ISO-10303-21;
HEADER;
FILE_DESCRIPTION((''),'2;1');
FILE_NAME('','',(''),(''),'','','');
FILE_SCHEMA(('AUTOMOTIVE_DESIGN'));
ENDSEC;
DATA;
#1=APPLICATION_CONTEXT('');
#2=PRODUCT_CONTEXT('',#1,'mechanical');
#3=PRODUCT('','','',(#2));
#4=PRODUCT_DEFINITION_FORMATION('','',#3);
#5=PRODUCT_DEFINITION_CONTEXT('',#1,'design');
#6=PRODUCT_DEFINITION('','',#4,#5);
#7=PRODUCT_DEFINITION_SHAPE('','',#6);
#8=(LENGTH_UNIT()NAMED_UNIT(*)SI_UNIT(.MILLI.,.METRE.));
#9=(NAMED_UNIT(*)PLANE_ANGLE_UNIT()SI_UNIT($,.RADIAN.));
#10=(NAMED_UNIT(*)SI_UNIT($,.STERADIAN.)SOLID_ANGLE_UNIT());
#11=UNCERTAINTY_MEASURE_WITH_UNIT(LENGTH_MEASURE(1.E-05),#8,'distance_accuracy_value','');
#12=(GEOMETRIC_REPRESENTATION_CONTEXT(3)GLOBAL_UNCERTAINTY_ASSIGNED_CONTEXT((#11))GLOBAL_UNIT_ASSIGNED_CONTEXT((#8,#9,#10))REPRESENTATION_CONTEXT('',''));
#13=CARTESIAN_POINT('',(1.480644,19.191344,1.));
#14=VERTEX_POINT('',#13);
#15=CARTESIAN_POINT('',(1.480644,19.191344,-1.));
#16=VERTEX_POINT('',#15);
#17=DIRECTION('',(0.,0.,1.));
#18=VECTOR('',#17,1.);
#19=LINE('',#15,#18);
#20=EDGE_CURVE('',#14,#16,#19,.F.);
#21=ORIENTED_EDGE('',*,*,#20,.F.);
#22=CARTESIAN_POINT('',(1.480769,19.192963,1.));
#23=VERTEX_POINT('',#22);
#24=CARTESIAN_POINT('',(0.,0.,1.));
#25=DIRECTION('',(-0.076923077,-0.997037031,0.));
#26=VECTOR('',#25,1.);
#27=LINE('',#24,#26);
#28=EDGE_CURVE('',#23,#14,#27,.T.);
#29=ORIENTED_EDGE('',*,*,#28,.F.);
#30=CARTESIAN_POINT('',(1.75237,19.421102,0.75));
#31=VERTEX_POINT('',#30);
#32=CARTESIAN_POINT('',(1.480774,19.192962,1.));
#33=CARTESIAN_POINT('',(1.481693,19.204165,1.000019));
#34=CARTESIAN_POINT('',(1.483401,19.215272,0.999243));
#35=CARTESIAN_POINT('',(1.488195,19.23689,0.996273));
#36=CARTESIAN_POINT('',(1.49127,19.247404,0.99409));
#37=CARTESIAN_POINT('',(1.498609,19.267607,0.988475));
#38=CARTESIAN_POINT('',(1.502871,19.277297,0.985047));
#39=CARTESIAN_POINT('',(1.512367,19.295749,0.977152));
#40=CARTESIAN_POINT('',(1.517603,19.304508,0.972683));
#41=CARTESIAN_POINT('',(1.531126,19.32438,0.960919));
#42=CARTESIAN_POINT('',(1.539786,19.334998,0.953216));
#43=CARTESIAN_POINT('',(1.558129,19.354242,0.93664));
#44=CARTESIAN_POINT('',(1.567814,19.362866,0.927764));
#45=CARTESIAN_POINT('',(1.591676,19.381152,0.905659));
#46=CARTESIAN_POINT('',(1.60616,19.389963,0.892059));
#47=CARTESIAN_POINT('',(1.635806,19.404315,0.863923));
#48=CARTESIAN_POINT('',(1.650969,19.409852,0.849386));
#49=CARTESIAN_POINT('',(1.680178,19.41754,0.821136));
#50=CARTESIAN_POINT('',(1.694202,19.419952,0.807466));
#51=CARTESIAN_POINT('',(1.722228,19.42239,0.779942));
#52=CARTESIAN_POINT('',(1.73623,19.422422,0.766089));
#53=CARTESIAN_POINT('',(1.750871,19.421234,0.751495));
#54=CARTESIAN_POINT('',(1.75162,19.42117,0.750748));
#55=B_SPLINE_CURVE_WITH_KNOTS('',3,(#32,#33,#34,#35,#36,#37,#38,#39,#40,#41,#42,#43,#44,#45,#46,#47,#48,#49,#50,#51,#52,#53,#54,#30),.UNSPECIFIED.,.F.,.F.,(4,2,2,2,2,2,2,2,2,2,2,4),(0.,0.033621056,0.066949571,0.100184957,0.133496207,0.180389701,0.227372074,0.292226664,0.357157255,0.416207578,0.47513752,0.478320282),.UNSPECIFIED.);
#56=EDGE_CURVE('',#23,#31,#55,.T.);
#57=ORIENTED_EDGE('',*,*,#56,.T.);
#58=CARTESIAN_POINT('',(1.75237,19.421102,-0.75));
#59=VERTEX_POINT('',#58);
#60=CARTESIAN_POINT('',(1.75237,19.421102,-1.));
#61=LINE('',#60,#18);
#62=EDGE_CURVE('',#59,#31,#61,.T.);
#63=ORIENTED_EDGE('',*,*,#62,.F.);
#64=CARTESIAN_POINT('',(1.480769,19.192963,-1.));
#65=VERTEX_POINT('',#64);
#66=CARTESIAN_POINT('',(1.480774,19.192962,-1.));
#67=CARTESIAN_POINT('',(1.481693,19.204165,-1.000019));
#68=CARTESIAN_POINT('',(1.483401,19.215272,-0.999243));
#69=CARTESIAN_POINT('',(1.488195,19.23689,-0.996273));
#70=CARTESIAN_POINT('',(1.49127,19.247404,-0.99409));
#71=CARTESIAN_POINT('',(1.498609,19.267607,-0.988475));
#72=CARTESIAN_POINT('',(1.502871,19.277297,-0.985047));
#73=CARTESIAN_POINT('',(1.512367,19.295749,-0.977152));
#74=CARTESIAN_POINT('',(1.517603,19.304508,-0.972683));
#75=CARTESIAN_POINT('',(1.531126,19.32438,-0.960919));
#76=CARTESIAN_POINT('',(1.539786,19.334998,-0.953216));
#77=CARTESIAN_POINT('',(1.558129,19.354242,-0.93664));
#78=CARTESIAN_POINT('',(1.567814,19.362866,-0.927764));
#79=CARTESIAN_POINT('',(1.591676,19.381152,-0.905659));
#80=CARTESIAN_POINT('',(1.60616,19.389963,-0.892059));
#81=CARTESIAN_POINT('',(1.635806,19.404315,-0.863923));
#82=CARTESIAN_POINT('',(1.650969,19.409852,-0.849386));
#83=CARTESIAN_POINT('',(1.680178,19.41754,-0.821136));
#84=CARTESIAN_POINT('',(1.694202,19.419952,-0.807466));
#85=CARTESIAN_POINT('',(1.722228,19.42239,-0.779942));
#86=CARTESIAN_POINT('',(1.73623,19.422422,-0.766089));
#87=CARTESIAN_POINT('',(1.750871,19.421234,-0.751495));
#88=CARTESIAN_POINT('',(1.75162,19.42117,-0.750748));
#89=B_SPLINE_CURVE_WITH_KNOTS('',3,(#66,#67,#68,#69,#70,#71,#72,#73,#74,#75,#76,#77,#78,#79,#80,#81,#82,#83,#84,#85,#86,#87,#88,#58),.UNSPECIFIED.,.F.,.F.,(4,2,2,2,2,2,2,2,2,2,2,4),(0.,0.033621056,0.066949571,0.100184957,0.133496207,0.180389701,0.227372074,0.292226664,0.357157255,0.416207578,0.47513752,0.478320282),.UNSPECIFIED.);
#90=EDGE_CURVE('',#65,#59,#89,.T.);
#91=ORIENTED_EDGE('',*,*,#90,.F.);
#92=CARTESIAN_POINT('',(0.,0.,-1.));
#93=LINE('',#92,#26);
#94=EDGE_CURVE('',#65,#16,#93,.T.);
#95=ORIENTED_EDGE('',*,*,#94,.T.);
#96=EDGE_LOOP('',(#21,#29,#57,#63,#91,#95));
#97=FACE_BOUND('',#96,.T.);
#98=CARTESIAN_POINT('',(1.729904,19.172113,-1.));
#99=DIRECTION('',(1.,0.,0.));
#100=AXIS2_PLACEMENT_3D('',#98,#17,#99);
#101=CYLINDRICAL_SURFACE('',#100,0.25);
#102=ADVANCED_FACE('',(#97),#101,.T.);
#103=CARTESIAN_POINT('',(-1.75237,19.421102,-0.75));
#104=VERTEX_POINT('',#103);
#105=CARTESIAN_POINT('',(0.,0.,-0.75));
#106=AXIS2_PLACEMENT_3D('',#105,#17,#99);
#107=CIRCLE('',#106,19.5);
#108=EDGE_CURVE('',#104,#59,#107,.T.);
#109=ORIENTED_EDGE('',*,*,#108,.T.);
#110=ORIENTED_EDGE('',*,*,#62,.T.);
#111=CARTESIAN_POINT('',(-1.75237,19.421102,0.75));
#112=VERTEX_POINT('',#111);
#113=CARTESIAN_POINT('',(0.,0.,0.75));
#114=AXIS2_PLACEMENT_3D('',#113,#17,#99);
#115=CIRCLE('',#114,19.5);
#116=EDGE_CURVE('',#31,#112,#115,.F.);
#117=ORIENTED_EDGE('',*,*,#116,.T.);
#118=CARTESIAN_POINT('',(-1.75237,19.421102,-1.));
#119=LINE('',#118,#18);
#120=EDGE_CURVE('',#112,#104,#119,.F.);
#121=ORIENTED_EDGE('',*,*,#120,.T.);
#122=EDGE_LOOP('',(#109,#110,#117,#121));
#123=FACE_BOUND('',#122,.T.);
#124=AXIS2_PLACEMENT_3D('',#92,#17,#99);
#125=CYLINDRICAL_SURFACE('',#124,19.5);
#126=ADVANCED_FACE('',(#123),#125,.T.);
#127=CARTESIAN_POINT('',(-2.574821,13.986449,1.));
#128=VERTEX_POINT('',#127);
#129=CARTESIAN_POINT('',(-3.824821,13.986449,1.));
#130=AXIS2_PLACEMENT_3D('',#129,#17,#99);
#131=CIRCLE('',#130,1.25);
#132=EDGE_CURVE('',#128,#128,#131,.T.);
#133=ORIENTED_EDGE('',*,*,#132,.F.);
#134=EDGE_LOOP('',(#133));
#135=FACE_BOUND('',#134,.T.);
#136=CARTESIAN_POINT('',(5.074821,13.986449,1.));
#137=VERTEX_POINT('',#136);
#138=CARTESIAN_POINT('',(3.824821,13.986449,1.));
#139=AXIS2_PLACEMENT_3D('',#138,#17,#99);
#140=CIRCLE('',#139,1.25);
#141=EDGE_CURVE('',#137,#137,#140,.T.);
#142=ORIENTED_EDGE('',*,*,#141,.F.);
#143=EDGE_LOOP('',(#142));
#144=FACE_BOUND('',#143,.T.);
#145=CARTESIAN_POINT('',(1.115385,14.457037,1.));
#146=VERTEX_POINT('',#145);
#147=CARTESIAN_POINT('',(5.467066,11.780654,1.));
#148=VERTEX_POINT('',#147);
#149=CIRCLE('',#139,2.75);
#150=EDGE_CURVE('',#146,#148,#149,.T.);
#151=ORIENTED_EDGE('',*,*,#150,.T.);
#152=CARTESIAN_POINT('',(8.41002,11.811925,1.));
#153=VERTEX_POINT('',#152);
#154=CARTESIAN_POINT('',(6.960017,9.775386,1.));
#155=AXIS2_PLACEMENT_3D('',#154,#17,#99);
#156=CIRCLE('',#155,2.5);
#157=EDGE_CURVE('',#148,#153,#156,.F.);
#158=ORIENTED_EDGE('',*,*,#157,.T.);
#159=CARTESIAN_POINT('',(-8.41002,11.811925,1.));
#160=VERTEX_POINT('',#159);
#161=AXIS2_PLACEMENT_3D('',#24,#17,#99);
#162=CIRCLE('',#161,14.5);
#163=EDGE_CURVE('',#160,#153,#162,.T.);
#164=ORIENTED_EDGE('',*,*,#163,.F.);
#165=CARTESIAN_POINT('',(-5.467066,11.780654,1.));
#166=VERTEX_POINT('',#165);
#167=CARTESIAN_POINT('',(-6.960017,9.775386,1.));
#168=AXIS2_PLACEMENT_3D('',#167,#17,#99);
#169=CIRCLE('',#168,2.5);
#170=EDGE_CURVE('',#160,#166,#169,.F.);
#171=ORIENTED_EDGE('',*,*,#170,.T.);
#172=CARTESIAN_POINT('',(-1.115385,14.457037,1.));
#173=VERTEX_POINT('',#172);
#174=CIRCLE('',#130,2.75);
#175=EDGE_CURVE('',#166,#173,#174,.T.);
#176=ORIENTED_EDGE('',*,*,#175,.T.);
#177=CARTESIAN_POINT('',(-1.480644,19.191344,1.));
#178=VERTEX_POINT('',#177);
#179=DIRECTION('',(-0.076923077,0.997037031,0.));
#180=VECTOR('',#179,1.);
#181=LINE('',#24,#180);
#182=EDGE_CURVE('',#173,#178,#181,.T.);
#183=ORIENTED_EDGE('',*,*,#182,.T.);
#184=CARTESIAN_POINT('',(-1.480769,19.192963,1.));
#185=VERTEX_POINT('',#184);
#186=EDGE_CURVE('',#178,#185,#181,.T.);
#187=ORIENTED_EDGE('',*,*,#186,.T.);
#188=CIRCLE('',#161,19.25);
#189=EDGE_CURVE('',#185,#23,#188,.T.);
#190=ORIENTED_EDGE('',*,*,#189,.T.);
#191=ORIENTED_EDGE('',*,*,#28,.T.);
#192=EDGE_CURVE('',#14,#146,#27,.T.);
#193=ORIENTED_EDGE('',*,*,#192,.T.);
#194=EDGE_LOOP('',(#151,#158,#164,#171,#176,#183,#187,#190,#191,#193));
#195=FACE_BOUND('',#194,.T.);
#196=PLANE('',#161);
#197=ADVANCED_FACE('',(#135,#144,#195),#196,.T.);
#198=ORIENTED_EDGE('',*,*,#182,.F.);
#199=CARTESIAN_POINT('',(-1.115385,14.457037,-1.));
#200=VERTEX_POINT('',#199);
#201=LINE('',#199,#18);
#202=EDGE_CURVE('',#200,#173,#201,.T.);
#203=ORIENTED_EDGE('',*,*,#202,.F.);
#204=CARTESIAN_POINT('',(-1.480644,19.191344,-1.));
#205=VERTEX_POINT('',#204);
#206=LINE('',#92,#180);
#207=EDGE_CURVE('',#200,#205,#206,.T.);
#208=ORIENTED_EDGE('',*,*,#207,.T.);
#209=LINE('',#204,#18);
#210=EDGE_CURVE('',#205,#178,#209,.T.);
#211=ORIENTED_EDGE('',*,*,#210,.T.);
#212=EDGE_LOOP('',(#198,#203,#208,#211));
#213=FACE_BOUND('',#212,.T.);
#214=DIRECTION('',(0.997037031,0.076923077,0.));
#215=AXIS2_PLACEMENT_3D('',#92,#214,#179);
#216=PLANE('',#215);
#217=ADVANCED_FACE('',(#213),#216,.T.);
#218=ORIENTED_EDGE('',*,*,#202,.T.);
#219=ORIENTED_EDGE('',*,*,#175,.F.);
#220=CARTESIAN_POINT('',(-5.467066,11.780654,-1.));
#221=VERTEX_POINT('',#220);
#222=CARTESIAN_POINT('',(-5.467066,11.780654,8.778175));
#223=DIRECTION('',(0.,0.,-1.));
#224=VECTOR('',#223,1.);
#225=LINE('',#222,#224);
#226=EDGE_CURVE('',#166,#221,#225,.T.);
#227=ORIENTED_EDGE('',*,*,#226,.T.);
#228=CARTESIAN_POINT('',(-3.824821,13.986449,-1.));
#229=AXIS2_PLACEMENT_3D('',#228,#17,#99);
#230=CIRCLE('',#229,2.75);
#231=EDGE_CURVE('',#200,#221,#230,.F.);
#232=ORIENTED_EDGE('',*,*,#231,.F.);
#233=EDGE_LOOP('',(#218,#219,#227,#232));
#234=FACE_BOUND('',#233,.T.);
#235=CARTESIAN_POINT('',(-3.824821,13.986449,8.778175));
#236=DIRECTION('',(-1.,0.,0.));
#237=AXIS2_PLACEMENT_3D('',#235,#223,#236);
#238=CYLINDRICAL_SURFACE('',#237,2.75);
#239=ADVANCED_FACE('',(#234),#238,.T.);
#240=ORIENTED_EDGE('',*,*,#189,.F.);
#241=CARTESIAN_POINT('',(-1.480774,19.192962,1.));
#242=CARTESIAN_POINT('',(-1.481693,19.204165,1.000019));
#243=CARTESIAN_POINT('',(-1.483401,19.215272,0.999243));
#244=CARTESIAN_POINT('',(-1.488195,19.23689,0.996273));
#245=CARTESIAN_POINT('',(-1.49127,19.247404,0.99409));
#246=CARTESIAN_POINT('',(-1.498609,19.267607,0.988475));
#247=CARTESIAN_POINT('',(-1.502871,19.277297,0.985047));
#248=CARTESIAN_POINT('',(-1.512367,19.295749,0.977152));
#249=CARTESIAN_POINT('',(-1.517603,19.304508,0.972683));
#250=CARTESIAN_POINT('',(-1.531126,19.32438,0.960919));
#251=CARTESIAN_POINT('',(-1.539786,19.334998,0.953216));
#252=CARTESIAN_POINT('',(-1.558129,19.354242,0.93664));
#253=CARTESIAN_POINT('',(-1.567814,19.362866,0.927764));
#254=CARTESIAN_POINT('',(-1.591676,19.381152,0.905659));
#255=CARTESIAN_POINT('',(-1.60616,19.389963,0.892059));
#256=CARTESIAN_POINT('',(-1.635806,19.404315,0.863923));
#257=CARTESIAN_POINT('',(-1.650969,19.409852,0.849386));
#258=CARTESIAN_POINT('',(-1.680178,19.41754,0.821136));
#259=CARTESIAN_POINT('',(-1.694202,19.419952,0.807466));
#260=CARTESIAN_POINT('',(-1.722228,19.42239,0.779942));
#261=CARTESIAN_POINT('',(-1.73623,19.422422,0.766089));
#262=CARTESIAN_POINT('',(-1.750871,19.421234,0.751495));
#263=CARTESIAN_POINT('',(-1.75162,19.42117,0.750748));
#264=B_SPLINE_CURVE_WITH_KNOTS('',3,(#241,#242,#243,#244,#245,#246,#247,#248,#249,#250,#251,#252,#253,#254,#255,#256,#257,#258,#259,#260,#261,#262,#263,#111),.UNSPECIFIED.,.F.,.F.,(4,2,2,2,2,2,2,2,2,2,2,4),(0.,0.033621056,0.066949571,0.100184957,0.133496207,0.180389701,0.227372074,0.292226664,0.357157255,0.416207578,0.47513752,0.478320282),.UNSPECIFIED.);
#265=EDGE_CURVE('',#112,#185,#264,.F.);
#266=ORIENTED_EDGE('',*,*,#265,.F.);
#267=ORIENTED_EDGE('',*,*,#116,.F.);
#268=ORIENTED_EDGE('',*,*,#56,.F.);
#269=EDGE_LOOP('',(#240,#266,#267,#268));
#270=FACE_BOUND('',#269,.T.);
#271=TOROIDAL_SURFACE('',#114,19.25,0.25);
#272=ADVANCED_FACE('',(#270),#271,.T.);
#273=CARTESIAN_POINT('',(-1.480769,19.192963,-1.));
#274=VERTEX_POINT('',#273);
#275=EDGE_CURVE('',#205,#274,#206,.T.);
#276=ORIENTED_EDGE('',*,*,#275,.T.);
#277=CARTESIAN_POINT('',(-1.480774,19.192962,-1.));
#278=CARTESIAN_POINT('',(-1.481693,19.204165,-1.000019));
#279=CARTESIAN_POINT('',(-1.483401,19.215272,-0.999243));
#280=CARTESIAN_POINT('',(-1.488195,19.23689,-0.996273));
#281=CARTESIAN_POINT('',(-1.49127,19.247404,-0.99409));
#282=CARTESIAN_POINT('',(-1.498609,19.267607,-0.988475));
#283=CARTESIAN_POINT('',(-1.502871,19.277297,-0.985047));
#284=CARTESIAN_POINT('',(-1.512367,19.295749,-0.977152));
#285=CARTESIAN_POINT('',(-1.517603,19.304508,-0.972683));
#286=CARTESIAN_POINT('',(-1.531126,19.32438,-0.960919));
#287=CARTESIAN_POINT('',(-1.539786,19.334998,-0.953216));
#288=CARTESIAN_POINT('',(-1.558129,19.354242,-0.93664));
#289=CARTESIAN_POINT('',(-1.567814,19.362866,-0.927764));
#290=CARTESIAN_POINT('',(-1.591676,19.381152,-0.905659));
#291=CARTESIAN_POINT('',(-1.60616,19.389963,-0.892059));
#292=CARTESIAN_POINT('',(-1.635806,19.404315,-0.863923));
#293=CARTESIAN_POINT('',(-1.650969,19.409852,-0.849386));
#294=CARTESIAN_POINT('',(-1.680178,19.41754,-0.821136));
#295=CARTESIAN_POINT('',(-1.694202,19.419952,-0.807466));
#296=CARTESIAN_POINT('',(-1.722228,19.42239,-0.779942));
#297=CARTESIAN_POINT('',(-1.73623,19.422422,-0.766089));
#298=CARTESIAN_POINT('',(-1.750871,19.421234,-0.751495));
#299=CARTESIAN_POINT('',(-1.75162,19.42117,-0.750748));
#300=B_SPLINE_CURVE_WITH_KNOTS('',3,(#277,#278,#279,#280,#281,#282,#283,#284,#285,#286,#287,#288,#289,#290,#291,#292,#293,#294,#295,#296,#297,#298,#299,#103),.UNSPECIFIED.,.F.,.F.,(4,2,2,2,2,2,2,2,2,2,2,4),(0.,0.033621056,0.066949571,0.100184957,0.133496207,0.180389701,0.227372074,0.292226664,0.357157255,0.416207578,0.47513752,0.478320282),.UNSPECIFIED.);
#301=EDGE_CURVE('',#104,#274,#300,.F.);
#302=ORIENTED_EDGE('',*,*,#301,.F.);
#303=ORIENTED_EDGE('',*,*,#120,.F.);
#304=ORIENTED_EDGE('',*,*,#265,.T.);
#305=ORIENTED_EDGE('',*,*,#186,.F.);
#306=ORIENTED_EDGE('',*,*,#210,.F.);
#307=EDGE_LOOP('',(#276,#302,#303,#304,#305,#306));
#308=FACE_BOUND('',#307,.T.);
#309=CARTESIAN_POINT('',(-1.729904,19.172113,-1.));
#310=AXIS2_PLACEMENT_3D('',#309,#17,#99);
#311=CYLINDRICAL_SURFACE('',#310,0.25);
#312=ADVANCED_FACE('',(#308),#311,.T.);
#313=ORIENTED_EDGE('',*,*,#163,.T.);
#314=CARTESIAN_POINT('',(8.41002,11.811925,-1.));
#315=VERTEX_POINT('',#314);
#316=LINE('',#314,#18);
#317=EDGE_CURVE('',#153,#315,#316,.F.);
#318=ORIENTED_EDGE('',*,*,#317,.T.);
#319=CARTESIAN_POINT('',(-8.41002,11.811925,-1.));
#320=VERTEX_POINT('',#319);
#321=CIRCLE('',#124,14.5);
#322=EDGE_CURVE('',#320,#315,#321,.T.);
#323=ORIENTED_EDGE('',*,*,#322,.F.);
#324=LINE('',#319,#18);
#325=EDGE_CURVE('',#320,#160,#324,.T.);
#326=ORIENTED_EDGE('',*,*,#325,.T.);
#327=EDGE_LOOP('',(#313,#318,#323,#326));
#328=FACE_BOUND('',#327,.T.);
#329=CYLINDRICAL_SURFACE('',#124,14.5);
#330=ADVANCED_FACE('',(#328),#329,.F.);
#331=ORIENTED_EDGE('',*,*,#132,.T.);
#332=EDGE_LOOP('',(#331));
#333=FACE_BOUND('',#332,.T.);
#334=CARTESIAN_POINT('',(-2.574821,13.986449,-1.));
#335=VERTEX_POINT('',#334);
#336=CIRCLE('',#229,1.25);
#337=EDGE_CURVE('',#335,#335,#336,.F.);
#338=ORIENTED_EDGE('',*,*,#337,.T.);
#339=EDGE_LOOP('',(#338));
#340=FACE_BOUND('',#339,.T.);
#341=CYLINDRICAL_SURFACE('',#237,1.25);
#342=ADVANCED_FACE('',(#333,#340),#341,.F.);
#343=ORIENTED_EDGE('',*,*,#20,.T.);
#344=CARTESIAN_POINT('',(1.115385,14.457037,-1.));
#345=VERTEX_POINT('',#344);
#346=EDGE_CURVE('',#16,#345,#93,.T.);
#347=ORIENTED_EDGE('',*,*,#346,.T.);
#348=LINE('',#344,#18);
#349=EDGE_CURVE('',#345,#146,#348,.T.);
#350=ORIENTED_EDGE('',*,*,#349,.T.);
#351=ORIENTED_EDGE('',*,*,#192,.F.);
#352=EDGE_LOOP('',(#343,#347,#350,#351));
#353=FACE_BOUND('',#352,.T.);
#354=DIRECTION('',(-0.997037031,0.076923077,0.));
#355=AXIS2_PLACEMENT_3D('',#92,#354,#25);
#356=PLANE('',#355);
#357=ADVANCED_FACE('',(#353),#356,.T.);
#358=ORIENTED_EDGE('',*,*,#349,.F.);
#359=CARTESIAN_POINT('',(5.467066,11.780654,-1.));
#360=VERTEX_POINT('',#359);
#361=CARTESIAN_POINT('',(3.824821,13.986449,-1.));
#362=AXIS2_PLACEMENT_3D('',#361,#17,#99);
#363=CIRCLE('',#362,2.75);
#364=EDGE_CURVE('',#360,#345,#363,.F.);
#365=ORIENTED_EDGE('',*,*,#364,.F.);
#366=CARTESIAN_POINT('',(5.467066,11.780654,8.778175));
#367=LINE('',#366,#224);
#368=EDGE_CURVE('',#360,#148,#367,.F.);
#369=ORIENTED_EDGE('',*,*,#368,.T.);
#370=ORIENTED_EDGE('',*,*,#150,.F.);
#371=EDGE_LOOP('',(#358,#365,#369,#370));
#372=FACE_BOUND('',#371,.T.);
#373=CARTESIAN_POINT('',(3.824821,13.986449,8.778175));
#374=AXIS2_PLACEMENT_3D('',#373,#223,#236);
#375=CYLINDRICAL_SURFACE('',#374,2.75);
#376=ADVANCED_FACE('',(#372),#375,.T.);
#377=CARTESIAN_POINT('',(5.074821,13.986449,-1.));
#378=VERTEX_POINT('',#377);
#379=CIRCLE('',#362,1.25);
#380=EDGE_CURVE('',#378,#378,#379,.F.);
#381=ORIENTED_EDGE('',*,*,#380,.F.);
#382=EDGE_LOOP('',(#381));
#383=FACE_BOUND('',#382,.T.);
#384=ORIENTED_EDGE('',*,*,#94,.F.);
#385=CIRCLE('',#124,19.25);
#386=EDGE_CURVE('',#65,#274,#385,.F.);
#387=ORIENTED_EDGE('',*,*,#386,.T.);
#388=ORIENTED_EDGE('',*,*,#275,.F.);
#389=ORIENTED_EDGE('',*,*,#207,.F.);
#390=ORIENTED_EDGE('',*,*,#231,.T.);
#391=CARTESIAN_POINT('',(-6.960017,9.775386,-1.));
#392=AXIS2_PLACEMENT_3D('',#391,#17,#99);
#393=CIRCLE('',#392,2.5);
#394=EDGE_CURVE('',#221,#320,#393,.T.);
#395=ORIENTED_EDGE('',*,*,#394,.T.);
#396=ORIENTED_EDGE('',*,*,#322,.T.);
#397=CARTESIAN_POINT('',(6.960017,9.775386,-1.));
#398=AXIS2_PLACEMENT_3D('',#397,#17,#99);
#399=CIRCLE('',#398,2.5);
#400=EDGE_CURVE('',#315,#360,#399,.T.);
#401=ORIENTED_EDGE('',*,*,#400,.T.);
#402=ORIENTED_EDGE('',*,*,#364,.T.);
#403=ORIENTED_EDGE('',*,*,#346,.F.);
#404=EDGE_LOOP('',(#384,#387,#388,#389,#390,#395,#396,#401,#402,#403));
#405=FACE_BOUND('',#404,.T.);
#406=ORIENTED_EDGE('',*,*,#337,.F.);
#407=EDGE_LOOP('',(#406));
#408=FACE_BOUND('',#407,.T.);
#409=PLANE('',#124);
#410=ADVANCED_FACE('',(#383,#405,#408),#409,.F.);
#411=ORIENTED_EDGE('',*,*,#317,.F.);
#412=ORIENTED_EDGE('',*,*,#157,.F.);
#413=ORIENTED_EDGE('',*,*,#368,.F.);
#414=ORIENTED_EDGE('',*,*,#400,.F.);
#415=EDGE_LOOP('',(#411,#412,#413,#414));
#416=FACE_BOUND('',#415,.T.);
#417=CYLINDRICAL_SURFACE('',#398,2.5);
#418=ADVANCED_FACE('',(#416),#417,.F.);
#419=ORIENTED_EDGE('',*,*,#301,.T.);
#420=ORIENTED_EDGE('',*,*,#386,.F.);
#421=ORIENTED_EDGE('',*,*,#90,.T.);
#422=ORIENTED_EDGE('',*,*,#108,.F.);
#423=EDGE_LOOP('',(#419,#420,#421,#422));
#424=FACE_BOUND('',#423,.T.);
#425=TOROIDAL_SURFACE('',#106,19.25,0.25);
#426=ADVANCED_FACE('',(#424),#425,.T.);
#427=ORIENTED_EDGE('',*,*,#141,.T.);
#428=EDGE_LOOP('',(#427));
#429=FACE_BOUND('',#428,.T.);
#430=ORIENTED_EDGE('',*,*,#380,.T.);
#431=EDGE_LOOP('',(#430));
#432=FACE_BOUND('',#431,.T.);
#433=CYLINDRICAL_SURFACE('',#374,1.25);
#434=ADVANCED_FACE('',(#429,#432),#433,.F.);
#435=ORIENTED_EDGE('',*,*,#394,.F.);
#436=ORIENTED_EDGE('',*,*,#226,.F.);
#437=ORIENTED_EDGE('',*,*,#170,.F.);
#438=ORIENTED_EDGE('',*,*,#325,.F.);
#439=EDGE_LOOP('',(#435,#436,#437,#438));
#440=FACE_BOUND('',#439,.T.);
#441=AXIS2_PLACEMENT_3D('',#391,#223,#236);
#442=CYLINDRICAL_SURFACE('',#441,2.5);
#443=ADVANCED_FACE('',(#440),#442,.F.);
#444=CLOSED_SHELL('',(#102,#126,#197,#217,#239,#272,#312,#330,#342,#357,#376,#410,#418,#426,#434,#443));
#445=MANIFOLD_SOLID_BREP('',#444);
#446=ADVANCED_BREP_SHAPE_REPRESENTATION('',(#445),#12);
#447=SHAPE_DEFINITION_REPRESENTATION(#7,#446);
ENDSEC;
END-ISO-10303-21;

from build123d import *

# Parameters (mm, degrees)
BOSS_EXTRUDE1_DEPTH      = 1
BOSS_EXTRUDE1_DEPTH_BACK = 1
BOSS_EXTRUDE2_START      = -1
SKETCH2_R                = 2.75
SKETCH2_R_2              = 1.25
BOSS_EXTRUDE2_DEPTH      = 2
FILLET1_R                = 2.5
CUT_EXTRUDE1_DEPTH       = 28.595289598
CUT_EXTRUDE1_DEPTH_BACK  = 28.595289598
SKETCH2_2_R              = 1.25
FILLET4_R                = 0.25


with BuildPart() as part:
    # Sketch1 → Boss-Extrude1 (new, two sides: drawn at the far end of the back side and taken through both)
    with BuildSketch(Plane.XY.offset(-BOSS_EXTRUDE1_DEPTH_BACK)):
        with BuildLine():
            ThreePointArc((19.5, 0), (14.309088021, 13.247641299), (1.5, 19.442222095))
            Line((1.5, 19.442222095), (1.115384615, 14.457036943))
            ThreePointArc((1.115384615, 14.457036943), (10.640091093, 9.850810197), (14.5, 0))
            ThreePointArc((14.5, 0), (-9.850810197, -10.640091093), (-1.115384615, 14.457036943))
            Line((-1.115384615, 14.457036943), (-1.5, 19.442222095))
            ThreePointArc((-1.5, 19.442222095), (-13.247641299, -14.309088021), (19.5, 0))
        make_face()
    extrude(amount=BOSS_EXTRUDE1_DEPTH + BOSS_EXTRUDE1_DEPTH_BACK)

    # Sketch2 → Boss-Extrude2 (add)
    # profile 1 of 2: a face of its own
    with BuildSketch(Plane.XY.offset(BOSS_EXTRUDE2_START)):
        with Locations((-3.824821191, 13.986448543)):
            Circle(SKETCH2_R)
        with Locations((-3.824821191, 13.986448543)):
            Circle(SKETCH2_R_2, mode=Mode.SUBTRACT)
    # profile 2 of 2: a face of its own
    with BuildSketch(Plane.XY.offset(BOSS_EXTRUDE2_START)):
        with Locations((3.824821191, 13.986448543)):
            Circle(SKETCH2_R)
        with Locations((3.824821191, 13.986448543)):
            Circle(SKETCH2_R_2, mode=Mode.SUBTRACT)
    extrude(amount=BOSS_EXTRUDE2_DEPTH)

    # Fillet1
    fillet1_edges = [part.edges().sort_by_distance(p)[0] for p in [
        (-6.396682451, 13.012780396, 0),
        (6.396682451, 13.012780396, 0),
    ]]
    fillet(fillet1_edges, radius=FILLET1_R)

    # Sketch2<2> → Cut-Extrude1 (cut, two sides: drawn at the far end of the back side and taken through both)
    with BuildSketch(Plane.XY.offset(-CUT_EXTRUDE1_DEPTH_BACK)):
        with Locations((-3.824821191, 13.986448543)):
            Circle(SKETCH2_2_R)
        with Locations((3.824821191, 13.986448543)):
            Circle(SKETCH2_2_R)
    extrude(amount=CUT_EXTRUDE1_DEPTH + CUT_EXTRUDE1_DEPTH_BACK, mode=Mode.SUBTRACT)

    # Fillet4
    fillet4_edges = [part.edges().sort_by_distance(p)[0] for p in [
        (0, -19.5, 1),
        (0, -19.5, -1),
        (1.5, 19.442222095, 0),
        (-1.5, 19.442222095, 0),
    ]]
    fillet(fillet4_edges, radius=FILLET4_R)


solid = part.part
